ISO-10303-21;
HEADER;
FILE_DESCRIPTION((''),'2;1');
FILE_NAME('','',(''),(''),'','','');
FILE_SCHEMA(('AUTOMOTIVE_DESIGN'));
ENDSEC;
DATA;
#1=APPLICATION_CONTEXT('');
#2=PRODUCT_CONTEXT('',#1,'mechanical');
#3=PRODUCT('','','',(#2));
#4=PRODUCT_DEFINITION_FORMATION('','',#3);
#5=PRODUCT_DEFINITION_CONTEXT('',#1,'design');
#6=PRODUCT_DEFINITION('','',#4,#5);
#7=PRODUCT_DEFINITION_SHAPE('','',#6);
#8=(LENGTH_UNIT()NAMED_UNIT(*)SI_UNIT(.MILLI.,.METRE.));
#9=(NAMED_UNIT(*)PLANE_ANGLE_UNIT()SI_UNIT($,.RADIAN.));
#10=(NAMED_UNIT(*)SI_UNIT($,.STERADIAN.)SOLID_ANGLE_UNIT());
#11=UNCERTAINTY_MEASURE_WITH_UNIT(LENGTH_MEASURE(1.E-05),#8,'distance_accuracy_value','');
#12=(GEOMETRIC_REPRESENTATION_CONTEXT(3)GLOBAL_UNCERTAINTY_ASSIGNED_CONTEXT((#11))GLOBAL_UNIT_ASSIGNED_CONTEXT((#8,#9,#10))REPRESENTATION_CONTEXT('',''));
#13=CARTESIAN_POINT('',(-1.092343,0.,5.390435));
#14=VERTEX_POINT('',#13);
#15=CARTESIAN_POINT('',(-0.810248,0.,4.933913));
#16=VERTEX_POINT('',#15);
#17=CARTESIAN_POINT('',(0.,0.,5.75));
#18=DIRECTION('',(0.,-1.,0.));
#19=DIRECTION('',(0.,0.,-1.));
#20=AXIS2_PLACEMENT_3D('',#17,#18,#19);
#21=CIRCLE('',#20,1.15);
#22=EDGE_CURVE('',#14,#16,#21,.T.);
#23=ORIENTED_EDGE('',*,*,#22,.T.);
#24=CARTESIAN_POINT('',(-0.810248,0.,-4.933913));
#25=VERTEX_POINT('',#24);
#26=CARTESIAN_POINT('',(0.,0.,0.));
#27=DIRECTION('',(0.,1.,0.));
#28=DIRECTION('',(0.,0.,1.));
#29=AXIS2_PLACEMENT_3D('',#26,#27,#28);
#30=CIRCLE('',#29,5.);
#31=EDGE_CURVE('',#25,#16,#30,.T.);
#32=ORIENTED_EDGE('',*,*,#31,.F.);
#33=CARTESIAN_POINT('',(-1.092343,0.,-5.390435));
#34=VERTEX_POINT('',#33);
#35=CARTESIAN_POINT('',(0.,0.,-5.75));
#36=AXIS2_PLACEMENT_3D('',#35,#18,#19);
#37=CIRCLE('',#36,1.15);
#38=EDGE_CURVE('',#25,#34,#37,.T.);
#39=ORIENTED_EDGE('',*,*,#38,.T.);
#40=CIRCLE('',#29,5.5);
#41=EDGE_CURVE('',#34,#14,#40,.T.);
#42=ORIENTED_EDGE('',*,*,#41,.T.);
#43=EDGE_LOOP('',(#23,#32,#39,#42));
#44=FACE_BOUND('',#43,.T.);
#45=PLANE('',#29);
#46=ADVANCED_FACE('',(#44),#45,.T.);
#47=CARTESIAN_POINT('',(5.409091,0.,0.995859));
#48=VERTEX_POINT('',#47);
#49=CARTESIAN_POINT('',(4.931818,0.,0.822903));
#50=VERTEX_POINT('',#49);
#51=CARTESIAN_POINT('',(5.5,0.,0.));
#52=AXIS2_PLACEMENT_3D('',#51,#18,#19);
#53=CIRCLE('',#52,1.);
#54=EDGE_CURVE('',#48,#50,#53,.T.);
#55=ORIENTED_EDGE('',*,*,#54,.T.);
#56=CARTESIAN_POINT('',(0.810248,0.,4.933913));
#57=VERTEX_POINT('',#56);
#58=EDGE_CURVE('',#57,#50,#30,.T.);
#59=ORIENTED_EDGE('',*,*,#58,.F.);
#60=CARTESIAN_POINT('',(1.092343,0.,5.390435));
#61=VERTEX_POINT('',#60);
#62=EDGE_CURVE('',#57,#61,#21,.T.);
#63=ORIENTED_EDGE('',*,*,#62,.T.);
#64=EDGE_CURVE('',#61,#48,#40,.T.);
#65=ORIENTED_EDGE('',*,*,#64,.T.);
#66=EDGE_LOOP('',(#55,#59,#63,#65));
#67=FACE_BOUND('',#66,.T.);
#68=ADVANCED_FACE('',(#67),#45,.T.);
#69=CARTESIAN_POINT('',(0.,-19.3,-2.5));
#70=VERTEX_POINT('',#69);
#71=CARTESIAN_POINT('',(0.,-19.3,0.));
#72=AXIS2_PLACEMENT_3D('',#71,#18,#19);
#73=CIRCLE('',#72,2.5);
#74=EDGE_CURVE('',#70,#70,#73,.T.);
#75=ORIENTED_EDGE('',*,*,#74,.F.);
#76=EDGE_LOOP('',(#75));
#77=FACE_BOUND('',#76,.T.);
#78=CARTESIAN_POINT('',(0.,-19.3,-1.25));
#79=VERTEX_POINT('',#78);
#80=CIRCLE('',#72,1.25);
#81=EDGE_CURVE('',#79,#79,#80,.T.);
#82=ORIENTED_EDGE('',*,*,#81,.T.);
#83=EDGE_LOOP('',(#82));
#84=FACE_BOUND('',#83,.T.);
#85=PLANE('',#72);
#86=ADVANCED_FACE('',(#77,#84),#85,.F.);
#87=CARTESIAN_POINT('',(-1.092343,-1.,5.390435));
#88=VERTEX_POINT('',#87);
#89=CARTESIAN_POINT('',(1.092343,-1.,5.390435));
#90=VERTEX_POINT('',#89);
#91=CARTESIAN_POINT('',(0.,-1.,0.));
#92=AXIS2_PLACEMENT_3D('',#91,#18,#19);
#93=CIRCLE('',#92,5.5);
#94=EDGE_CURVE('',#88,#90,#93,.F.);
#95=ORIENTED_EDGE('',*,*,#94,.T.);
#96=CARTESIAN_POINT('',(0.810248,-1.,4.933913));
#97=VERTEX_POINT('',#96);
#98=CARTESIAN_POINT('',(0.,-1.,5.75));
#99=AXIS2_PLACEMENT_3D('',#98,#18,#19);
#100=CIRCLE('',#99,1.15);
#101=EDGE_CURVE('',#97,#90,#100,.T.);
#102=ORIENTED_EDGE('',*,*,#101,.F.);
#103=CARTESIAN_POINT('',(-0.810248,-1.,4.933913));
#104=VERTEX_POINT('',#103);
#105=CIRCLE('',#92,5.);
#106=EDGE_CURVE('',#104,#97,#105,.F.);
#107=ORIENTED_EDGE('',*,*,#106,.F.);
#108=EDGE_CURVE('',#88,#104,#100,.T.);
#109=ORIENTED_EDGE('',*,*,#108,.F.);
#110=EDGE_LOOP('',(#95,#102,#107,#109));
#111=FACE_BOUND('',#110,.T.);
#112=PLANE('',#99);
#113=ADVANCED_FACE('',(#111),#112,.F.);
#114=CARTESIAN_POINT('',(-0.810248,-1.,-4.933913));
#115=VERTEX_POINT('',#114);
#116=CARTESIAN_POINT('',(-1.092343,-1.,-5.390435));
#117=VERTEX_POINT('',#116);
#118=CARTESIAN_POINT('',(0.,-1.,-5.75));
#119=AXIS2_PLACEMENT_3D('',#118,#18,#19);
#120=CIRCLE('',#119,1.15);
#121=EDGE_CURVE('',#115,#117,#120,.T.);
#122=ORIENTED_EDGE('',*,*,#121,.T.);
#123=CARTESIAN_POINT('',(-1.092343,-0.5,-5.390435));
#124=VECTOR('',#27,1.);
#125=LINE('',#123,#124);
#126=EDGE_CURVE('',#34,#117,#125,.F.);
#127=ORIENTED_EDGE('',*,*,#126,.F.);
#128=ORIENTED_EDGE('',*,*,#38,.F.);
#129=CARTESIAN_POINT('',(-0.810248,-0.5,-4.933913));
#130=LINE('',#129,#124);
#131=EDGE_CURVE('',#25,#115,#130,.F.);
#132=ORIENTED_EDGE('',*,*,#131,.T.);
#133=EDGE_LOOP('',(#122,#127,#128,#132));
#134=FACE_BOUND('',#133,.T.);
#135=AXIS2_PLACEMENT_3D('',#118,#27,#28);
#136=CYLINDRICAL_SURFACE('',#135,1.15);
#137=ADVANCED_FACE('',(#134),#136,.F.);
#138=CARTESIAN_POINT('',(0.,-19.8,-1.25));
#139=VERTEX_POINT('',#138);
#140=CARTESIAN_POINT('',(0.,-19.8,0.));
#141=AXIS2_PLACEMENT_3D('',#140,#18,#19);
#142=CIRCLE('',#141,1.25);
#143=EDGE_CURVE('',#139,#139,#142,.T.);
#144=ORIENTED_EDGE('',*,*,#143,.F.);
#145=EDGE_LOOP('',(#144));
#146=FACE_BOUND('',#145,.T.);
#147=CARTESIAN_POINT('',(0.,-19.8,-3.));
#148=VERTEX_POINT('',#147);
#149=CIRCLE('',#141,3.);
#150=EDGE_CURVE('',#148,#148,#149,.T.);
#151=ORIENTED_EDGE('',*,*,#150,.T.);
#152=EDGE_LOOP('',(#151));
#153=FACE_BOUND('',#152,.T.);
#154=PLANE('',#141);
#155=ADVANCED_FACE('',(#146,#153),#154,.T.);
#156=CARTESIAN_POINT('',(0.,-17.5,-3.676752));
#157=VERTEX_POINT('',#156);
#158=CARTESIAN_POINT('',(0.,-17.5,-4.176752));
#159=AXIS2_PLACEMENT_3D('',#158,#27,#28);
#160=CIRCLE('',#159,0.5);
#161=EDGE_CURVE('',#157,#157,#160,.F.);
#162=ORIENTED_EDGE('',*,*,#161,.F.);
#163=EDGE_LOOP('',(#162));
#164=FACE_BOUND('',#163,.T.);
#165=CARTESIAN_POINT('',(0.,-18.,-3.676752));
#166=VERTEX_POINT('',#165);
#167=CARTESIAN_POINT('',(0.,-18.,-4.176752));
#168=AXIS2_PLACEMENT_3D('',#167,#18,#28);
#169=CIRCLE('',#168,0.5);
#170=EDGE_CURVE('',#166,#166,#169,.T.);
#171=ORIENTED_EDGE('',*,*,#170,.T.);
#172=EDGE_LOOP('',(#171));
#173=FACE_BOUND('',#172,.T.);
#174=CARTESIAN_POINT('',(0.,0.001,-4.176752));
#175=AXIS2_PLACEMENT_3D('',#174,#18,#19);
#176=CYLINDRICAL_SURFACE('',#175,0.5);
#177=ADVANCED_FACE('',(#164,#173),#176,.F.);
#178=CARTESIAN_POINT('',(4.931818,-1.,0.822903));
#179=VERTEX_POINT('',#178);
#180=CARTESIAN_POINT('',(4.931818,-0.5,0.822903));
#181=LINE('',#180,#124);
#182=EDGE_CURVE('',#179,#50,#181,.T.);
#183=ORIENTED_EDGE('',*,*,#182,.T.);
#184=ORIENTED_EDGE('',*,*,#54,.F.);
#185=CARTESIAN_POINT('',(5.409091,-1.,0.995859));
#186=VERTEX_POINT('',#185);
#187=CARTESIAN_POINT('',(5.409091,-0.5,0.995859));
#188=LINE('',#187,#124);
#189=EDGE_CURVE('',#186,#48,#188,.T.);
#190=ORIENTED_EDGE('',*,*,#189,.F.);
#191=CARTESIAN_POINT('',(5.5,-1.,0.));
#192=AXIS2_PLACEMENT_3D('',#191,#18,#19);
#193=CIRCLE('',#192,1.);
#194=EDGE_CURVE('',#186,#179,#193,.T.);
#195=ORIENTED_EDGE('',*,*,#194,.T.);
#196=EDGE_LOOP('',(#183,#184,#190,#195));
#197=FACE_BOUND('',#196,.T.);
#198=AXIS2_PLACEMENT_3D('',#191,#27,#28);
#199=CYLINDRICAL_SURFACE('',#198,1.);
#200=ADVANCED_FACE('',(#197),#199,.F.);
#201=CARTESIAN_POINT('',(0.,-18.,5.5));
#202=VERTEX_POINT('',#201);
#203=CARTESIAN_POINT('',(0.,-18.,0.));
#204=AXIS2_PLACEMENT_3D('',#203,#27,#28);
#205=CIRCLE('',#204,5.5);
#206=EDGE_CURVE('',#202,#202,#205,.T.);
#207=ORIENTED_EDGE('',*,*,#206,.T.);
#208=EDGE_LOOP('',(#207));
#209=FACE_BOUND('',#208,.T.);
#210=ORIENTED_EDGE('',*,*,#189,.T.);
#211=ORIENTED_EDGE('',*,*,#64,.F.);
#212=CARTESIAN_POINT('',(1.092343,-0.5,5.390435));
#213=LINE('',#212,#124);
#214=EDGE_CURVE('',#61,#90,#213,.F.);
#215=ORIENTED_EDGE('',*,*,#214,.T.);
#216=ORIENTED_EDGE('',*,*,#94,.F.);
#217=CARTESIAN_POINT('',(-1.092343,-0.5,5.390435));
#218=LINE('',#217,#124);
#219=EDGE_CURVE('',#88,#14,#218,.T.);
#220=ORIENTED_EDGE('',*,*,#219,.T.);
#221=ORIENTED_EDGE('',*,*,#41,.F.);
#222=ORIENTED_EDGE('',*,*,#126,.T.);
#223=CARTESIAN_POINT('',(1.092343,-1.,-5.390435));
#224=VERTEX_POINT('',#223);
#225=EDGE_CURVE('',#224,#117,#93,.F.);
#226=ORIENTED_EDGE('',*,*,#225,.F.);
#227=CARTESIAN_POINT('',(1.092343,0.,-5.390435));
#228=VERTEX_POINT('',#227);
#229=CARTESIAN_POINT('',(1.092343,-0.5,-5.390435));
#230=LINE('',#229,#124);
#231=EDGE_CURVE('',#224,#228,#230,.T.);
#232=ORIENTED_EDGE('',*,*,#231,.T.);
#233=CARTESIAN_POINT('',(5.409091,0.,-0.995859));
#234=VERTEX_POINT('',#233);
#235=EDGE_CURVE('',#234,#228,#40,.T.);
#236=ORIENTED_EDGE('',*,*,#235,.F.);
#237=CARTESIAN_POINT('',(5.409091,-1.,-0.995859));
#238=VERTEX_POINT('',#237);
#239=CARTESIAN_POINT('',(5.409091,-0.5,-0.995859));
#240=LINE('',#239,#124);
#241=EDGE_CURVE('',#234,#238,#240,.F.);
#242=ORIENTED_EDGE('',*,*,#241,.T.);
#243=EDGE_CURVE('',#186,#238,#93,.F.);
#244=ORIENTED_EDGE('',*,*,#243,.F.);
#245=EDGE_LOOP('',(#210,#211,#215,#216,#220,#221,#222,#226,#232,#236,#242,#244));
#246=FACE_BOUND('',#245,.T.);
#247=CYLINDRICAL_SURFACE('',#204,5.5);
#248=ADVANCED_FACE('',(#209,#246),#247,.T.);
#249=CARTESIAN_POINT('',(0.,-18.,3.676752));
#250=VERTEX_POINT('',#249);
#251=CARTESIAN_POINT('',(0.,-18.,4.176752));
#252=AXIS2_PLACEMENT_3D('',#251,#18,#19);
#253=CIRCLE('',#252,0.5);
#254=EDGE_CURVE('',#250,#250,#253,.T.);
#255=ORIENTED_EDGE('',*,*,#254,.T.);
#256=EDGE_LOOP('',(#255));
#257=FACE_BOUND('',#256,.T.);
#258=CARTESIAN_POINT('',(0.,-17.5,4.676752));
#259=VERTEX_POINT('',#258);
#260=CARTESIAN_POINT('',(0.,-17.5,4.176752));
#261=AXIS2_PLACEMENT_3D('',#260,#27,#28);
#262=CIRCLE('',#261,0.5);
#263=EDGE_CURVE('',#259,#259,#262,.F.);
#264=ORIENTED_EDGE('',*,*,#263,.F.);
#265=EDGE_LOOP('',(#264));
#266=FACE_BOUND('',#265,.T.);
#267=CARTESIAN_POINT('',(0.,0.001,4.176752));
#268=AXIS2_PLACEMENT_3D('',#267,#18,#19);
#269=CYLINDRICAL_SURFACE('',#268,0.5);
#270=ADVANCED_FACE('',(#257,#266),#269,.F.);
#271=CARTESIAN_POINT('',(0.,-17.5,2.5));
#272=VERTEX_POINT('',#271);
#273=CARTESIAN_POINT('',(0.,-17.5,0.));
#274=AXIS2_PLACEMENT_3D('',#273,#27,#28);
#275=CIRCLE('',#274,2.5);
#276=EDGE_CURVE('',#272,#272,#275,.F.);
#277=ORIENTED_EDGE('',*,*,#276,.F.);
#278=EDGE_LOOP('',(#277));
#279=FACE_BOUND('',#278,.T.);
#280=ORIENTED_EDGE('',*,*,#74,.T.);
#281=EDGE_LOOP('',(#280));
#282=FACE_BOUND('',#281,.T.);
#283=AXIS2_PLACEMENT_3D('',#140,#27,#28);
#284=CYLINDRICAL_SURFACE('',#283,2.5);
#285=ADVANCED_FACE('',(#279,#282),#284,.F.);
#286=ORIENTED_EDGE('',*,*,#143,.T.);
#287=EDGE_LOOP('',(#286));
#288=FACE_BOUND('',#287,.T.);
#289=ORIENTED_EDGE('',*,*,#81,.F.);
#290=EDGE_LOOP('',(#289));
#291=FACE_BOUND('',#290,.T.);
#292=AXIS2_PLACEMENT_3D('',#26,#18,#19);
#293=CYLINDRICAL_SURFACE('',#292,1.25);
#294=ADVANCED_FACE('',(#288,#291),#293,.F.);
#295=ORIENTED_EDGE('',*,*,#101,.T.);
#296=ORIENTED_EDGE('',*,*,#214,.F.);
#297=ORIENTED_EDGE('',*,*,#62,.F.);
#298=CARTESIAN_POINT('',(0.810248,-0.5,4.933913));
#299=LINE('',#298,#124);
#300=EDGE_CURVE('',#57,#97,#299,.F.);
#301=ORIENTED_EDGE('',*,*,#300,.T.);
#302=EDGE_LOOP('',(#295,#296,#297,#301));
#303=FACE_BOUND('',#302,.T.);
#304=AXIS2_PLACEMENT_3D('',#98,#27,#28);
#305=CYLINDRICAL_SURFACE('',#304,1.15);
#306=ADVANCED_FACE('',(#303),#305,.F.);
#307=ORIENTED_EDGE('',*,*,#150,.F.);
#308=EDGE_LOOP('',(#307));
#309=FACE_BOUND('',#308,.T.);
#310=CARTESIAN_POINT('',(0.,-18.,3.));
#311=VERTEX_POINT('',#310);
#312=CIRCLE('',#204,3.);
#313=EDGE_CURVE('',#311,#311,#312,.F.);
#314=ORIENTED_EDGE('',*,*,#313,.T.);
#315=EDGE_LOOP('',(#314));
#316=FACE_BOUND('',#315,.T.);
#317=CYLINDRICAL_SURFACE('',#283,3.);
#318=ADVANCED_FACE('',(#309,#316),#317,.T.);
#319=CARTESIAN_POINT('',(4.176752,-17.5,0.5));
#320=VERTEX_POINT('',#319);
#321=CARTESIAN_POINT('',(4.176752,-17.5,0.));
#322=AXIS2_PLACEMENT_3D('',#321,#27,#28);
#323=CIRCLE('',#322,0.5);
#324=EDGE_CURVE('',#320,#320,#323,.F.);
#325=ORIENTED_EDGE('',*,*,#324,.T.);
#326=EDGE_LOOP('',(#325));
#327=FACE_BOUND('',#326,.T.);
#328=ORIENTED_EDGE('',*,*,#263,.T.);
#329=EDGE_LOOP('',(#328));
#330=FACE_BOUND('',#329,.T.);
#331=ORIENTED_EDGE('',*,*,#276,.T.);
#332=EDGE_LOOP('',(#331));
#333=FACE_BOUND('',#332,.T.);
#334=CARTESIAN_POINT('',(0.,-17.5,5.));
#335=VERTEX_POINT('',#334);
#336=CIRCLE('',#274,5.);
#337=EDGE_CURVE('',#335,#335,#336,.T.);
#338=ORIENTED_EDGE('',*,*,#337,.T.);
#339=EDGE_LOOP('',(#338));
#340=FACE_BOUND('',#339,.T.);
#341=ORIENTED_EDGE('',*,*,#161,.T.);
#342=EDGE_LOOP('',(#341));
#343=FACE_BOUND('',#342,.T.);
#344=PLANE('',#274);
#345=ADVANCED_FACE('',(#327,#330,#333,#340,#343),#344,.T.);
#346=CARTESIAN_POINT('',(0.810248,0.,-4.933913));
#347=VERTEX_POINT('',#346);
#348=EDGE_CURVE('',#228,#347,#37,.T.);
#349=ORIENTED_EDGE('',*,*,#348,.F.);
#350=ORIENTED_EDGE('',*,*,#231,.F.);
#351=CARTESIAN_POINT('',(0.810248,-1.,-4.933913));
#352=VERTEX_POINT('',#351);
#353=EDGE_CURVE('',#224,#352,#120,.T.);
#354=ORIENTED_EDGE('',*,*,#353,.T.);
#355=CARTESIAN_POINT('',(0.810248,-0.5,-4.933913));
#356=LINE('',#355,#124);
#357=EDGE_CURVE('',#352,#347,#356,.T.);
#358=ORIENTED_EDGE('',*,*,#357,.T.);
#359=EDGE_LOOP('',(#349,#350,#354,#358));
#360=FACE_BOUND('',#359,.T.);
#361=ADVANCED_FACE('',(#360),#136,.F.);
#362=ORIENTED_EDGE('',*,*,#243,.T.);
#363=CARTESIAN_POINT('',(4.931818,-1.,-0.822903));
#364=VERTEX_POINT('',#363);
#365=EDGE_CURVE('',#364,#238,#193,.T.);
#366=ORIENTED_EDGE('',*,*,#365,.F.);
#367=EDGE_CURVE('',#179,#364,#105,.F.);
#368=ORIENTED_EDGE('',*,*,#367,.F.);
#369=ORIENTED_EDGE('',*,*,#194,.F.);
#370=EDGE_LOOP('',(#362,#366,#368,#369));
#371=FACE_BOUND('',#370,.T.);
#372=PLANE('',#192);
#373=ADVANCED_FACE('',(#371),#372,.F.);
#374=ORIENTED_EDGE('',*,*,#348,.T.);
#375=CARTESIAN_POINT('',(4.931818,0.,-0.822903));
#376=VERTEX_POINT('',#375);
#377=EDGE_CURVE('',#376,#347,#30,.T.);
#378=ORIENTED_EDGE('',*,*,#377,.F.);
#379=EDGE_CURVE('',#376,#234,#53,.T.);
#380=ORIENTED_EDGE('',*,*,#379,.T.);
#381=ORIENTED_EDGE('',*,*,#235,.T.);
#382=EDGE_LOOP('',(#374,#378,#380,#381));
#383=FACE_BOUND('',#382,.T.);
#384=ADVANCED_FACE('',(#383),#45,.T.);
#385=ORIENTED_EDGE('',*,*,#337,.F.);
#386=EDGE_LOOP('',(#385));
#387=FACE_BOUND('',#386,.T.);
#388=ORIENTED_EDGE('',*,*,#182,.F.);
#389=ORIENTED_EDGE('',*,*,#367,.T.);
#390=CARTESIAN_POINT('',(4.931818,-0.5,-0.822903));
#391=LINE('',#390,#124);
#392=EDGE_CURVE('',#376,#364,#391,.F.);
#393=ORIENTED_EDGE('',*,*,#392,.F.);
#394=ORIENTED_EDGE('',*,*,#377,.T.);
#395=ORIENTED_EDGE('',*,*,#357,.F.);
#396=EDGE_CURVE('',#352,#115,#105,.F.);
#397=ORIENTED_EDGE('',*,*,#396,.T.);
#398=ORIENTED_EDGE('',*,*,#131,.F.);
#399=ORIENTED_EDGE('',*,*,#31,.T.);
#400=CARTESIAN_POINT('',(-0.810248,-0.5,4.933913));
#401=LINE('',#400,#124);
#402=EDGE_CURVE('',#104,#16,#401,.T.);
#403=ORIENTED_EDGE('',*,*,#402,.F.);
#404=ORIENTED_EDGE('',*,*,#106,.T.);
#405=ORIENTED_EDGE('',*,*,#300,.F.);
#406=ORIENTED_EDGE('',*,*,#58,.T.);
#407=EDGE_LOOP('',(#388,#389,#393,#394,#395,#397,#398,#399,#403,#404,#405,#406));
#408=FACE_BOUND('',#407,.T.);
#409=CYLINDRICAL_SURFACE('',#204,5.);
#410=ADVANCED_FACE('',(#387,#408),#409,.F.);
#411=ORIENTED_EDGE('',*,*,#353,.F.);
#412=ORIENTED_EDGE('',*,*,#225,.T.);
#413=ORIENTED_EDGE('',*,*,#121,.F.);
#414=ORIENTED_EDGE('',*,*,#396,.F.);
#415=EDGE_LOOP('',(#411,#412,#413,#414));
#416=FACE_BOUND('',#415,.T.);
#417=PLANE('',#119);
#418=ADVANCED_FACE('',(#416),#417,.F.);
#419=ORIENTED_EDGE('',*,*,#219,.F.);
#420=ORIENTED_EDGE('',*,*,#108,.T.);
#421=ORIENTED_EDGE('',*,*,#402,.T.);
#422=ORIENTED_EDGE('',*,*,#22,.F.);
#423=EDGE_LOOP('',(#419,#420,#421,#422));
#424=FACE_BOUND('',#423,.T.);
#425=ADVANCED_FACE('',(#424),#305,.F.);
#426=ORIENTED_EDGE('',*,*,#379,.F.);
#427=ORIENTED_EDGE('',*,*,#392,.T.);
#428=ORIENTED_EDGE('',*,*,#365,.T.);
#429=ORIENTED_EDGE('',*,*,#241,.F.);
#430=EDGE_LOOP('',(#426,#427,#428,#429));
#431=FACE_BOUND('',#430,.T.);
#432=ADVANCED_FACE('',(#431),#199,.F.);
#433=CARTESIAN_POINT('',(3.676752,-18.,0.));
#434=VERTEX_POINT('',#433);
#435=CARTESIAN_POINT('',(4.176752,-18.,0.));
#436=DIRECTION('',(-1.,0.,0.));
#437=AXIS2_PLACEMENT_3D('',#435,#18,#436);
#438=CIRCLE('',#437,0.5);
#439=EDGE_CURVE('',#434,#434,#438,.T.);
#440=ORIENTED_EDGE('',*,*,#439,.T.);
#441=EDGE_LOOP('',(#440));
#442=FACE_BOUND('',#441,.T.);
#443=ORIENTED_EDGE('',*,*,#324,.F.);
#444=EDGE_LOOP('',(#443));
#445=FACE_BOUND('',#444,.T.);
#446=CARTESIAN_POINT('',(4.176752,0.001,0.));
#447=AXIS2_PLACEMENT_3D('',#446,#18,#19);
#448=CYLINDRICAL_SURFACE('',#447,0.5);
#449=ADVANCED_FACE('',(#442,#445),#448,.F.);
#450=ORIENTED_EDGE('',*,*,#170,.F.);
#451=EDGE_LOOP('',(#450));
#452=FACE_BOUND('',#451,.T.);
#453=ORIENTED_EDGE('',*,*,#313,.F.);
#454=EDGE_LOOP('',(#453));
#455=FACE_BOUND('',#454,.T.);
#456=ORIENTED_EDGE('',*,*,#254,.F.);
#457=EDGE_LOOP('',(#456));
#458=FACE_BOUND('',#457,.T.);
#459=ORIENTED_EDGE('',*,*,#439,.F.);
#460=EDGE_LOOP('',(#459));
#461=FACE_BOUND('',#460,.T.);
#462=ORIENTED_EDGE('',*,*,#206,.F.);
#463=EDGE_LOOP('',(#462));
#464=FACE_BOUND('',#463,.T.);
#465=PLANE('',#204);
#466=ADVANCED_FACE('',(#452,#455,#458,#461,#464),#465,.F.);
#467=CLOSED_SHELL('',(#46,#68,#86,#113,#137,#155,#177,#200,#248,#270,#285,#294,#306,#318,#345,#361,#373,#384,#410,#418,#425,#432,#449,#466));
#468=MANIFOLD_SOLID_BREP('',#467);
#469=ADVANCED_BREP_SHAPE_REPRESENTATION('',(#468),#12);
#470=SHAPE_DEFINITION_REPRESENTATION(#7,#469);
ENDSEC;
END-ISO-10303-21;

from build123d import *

# Parameters (mm, degrees)
ESQUISSE1_R                  = 5.5
BASE_EXTRUSION_DEPTH         = 18
ESQUISSE2_R                  = 3
BOSS_EXTRU_1_DEPTH           = 1.8
COQUE1_T                     = -0.5
ESQUISSE3_R                  = 1.25
ENL_V_MAT_EXTRU_1_DEPTH      = 22.272987566
ESQUISSE4_R                  = 1
ESQUISSE4_R_2                = 1.15
ENL_V_MAT_EXTRU_2_DEPTH      = 1
ENL_V_MAT_EXTRU_3_REACH      = 21.609
ESQUISSE5_R                  = 0.5
R_P_TITION_CIRCULAIRE1_COUNT = 3
R_P_TITION_CIRCULAIRE1_ANGLE = 180


with BuildPart() as part:
    # Esquisse1 → Base-Extrusion (new body)
    with BuildSketch(Plane(origin=(0, 0, 0), x_dir=(1, 0, 0), z_dir=(0, 1, 0))):
        with Locations(Location((0, 0, 0), (0, 0, 270))):
            Circle(ESQUISSE1_R)
    extrude(amount=-BASE_EXTRUSION_DEPTH)

    # Esquisse2 → Boss.-Extru.1 (add)
    with BuildSketch(Plane.XZ.offset(18)):
        with Locations(Location((0, 0, 0), (0, 0, 90))):
            Circle(ESQUISSE2_R)
    extrude(amount=BOSS_EXTRU_1_DEPTH)

    # Coque1
    coque1_openings = [part.faces().sort_by_distance(p)[0] for p in [
        (0, 0, 0),
    ]]
    offset(amount=COQUE1_T, openings=coque1_openings, kind=Kind.INTERSECTION)

    # Esquisse3 → Enlèv. mat.-Extru.1 (cut, through all)
    with BuildSketch(Plane.XZ.offset(19.8)):
        with Locations(Location((0, 0, 0), (0, 0, 270))):
            Circle(ESQUISSE3_R)
    extrude(amount=-ENL_V_MAT_EXTRU_1_DEPTH, mode=Mode.SUBTRACT)

    # Esquisse4 → Enlèv. mat.-Extru.2 (cut)
    with BuildSketch(Plane.XZ):
        with Locations((5.5, 0)):
            Circle(ESQUISSE4_R)
        with Locations((0, -5.75)):
            Circle(ESQUISSE4_R_2)
        with Locations((0, 5.75)):
            Circle(ESQUISSE4_R_2)
    extrude(amount=ENL_V_MAT_EXTRU_2_DEPTH, mode=Mode.SUBTRACT)

    # Esquisse5 → Enlèv. mat.-Extru.3 (cut, up to next)
    with BuildSketch(Plane.XZ.offset(18), mode=Mode.PRIVATE) as enl_v_mat_extru_3_sk1:
        with Locations(Location((0, 4.17675231, 0), (0, 0, 270))):
            Circle(ESQUISSE5_R)
    enl_v_mat_extru_3_tool1 = extrude(enl_v_mat_extru_3_sk1.sketch, amount=-ENL_V_MAT_EXTRU_3_REACH, mode=Mode.PRIVATE) & part.part
    enl_v_mat_extru_3 = enl_v_mat_extru_3_tool1.solids().sort_by_distance((0, -18, 4.176752))[0]
    add(enl_v_mat_extru_3, mode=Mode.SUBTRACT)

    # Répétition circulaire1: Enlèv. mat.-Extru.3 ×3 about axis
    r_p_tition_circulaire1_axis = Axis((0, 0, 0), (0, 1, 0))
    for i in range(1, R_P_TITION_CIRCULAIRE1_COUNT):
        add(enl_v_mat_extru_3.rotate(r_p_tition_circulaire1_axis, i * R_P_TITION_CIRCULAIRE1_ANGLE / (R_P_TITION_CIRCULAIRE1_COUNT - 1)), mode=Mode.SUBTRACT)


solid = part.part
